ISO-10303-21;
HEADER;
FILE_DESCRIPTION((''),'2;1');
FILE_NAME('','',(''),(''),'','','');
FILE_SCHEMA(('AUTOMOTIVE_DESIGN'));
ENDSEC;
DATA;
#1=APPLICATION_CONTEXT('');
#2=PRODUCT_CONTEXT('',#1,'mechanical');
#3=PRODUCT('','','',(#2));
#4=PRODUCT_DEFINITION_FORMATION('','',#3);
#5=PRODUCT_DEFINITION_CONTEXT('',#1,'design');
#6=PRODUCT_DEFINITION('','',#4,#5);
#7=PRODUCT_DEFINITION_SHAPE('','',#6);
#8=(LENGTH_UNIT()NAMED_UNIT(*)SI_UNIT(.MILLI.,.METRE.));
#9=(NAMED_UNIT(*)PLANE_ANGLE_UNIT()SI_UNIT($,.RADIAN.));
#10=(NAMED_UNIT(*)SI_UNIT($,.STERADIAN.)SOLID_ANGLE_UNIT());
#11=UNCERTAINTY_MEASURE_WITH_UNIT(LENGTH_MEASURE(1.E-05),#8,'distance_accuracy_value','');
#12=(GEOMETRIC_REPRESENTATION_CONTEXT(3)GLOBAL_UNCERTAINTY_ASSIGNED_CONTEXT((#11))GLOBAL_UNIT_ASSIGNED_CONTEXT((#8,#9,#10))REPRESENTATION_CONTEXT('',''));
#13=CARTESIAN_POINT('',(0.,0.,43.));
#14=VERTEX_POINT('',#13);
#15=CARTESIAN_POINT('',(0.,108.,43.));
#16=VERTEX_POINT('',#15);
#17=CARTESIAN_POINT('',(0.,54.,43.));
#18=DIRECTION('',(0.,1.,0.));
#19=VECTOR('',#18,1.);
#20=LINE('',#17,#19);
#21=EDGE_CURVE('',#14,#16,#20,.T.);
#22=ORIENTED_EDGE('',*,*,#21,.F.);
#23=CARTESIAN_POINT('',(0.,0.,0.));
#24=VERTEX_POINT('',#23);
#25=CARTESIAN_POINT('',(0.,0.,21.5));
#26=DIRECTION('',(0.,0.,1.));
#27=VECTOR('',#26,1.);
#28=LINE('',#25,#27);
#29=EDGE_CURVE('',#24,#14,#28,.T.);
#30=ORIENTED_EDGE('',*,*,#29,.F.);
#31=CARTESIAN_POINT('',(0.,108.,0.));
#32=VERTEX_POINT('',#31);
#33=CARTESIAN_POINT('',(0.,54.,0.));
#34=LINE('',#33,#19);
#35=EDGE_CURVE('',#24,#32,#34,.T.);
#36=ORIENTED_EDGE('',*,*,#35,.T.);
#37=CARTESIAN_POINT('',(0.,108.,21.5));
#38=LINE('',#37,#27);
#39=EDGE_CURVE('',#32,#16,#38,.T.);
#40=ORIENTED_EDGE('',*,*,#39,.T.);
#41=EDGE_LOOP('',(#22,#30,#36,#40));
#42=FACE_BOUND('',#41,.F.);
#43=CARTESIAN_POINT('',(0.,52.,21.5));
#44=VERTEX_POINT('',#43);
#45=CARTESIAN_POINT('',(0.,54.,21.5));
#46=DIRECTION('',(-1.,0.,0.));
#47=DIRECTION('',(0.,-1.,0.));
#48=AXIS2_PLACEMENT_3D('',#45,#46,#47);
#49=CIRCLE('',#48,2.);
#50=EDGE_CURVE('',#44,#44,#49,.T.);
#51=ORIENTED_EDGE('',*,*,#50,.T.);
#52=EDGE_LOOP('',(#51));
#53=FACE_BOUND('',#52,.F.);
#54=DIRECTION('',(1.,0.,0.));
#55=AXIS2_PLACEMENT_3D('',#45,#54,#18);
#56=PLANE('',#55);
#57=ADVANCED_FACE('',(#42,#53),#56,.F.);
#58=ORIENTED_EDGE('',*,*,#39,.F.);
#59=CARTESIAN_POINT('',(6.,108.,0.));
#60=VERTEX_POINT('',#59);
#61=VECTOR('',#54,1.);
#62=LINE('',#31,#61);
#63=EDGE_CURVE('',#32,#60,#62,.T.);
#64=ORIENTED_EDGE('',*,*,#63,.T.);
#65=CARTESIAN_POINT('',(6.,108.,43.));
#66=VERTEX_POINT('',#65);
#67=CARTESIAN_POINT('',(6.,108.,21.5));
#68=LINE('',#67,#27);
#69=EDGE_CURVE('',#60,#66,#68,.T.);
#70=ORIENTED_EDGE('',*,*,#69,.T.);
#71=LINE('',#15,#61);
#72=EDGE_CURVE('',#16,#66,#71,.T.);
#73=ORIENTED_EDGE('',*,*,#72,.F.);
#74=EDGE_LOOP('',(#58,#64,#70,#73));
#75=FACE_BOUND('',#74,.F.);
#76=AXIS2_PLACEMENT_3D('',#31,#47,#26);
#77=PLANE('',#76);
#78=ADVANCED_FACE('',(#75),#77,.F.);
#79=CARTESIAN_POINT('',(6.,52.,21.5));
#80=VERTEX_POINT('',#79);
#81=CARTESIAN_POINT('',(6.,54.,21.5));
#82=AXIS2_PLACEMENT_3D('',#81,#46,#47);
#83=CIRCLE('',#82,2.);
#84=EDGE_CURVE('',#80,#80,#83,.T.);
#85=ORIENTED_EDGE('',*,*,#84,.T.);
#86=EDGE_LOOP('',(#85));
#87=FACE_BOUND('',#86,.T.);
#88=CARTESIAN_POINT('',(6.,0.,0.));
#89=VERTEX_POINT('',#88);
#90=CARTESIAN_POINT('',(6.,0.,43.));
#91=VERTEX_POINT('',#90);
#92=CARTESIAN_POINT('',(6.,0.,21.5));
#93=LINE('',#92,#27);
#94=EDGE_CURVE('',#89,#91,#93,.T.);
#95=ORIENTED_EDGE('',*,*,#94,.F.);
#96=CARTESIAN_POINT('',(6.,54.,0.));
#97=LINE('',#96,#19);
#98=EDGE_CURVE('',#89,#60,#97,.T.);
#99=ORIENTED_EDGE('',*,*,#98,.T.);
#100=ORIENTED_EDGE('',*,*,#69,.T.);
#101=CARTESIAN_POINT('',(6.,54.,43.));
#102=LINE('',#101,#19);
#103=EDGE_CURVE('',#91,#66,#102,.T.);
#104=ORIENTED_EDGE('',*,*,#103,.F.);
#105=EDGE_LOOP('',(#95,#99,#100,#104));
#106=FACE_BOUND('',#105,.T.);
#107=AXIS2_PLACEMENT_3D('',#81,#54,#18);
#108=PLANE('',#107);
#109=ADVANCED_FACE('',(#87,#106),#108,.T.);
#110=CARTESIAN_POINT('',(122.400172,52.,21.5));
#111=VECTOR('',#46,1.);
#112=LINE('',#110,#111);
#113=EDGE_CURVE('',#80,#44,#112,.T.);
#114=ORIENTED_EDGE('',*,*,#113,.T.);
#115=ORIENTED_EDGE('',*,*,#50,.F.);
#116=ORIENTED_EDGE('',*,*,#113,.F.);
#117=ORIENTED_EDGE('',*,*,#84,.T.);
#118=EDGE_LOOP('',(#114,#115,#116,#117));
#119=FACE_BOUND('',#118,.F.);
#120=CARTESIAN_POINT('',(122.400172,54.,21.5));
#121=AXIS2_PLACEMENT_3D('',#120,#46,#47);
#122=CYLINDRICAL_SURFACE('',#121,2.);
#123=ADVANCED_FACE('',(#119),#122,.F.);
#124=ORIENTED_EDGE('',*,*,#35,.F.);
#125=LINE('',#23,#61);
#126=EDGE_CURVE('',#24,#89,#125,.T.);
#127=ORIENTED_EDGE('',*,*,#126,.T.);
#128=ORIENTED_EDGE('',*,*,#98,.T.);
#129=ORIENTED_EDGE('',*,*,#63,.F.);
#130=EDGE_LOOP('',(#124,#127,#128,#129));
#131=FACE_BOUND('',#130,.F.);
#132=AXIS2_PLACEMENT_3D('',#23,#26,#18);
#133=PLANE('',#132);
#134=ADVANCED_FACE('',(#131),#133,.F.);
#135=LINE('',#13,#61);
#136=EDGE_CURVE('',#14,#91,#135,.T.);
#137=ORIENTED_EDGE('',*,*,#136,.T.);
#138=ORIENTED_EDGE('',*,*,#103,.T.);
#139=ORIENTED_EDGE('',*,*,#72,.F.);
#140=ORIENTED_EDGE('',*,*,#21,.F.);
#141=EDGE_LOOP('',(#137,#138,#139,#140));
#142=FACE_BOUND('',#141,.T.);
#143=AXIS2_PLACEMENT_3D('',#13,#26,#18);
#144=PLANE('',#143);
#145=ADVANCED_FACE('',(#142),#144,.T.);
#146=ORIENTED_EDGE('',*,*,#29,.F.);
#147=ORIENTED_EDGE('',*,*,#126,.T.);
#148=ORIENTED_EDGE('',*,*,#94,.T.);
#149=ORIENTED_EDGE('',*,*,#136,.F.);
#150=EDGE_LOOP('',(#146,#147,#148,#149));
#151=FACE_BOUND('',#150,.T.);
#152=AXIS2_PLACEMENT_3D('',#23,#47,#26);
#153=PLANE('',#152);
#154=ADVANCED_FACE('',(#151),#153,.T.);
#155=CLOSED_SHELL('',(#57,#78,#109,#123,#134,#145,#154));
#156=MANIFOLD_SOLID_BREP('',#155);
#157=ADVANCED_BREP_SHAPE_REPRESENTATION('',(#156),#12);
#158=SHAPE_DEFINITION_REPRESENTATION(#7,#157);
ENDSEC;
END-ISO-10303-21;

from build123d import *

# Parameters (mm, degrees)
F0_W     = 108
F0_H     = 43
F1_DEPTH = 6
F3_D     = 4


with BuildPart() as f1:
    # F0 (on Right) → F1 (new body)
    with BuildSketch(Plane.YZ):
        with Locations((54, 21.5)):
            Rectangle(F0_W, F0_H)
    extrude(amount=F1_DEPTH)

    # F3 (through all)
    with Locations(Plane.YZ.offset(6)):
        with Locations((54, 21.5)):
            Hole(F3_D / 2)


solid = f1.part
